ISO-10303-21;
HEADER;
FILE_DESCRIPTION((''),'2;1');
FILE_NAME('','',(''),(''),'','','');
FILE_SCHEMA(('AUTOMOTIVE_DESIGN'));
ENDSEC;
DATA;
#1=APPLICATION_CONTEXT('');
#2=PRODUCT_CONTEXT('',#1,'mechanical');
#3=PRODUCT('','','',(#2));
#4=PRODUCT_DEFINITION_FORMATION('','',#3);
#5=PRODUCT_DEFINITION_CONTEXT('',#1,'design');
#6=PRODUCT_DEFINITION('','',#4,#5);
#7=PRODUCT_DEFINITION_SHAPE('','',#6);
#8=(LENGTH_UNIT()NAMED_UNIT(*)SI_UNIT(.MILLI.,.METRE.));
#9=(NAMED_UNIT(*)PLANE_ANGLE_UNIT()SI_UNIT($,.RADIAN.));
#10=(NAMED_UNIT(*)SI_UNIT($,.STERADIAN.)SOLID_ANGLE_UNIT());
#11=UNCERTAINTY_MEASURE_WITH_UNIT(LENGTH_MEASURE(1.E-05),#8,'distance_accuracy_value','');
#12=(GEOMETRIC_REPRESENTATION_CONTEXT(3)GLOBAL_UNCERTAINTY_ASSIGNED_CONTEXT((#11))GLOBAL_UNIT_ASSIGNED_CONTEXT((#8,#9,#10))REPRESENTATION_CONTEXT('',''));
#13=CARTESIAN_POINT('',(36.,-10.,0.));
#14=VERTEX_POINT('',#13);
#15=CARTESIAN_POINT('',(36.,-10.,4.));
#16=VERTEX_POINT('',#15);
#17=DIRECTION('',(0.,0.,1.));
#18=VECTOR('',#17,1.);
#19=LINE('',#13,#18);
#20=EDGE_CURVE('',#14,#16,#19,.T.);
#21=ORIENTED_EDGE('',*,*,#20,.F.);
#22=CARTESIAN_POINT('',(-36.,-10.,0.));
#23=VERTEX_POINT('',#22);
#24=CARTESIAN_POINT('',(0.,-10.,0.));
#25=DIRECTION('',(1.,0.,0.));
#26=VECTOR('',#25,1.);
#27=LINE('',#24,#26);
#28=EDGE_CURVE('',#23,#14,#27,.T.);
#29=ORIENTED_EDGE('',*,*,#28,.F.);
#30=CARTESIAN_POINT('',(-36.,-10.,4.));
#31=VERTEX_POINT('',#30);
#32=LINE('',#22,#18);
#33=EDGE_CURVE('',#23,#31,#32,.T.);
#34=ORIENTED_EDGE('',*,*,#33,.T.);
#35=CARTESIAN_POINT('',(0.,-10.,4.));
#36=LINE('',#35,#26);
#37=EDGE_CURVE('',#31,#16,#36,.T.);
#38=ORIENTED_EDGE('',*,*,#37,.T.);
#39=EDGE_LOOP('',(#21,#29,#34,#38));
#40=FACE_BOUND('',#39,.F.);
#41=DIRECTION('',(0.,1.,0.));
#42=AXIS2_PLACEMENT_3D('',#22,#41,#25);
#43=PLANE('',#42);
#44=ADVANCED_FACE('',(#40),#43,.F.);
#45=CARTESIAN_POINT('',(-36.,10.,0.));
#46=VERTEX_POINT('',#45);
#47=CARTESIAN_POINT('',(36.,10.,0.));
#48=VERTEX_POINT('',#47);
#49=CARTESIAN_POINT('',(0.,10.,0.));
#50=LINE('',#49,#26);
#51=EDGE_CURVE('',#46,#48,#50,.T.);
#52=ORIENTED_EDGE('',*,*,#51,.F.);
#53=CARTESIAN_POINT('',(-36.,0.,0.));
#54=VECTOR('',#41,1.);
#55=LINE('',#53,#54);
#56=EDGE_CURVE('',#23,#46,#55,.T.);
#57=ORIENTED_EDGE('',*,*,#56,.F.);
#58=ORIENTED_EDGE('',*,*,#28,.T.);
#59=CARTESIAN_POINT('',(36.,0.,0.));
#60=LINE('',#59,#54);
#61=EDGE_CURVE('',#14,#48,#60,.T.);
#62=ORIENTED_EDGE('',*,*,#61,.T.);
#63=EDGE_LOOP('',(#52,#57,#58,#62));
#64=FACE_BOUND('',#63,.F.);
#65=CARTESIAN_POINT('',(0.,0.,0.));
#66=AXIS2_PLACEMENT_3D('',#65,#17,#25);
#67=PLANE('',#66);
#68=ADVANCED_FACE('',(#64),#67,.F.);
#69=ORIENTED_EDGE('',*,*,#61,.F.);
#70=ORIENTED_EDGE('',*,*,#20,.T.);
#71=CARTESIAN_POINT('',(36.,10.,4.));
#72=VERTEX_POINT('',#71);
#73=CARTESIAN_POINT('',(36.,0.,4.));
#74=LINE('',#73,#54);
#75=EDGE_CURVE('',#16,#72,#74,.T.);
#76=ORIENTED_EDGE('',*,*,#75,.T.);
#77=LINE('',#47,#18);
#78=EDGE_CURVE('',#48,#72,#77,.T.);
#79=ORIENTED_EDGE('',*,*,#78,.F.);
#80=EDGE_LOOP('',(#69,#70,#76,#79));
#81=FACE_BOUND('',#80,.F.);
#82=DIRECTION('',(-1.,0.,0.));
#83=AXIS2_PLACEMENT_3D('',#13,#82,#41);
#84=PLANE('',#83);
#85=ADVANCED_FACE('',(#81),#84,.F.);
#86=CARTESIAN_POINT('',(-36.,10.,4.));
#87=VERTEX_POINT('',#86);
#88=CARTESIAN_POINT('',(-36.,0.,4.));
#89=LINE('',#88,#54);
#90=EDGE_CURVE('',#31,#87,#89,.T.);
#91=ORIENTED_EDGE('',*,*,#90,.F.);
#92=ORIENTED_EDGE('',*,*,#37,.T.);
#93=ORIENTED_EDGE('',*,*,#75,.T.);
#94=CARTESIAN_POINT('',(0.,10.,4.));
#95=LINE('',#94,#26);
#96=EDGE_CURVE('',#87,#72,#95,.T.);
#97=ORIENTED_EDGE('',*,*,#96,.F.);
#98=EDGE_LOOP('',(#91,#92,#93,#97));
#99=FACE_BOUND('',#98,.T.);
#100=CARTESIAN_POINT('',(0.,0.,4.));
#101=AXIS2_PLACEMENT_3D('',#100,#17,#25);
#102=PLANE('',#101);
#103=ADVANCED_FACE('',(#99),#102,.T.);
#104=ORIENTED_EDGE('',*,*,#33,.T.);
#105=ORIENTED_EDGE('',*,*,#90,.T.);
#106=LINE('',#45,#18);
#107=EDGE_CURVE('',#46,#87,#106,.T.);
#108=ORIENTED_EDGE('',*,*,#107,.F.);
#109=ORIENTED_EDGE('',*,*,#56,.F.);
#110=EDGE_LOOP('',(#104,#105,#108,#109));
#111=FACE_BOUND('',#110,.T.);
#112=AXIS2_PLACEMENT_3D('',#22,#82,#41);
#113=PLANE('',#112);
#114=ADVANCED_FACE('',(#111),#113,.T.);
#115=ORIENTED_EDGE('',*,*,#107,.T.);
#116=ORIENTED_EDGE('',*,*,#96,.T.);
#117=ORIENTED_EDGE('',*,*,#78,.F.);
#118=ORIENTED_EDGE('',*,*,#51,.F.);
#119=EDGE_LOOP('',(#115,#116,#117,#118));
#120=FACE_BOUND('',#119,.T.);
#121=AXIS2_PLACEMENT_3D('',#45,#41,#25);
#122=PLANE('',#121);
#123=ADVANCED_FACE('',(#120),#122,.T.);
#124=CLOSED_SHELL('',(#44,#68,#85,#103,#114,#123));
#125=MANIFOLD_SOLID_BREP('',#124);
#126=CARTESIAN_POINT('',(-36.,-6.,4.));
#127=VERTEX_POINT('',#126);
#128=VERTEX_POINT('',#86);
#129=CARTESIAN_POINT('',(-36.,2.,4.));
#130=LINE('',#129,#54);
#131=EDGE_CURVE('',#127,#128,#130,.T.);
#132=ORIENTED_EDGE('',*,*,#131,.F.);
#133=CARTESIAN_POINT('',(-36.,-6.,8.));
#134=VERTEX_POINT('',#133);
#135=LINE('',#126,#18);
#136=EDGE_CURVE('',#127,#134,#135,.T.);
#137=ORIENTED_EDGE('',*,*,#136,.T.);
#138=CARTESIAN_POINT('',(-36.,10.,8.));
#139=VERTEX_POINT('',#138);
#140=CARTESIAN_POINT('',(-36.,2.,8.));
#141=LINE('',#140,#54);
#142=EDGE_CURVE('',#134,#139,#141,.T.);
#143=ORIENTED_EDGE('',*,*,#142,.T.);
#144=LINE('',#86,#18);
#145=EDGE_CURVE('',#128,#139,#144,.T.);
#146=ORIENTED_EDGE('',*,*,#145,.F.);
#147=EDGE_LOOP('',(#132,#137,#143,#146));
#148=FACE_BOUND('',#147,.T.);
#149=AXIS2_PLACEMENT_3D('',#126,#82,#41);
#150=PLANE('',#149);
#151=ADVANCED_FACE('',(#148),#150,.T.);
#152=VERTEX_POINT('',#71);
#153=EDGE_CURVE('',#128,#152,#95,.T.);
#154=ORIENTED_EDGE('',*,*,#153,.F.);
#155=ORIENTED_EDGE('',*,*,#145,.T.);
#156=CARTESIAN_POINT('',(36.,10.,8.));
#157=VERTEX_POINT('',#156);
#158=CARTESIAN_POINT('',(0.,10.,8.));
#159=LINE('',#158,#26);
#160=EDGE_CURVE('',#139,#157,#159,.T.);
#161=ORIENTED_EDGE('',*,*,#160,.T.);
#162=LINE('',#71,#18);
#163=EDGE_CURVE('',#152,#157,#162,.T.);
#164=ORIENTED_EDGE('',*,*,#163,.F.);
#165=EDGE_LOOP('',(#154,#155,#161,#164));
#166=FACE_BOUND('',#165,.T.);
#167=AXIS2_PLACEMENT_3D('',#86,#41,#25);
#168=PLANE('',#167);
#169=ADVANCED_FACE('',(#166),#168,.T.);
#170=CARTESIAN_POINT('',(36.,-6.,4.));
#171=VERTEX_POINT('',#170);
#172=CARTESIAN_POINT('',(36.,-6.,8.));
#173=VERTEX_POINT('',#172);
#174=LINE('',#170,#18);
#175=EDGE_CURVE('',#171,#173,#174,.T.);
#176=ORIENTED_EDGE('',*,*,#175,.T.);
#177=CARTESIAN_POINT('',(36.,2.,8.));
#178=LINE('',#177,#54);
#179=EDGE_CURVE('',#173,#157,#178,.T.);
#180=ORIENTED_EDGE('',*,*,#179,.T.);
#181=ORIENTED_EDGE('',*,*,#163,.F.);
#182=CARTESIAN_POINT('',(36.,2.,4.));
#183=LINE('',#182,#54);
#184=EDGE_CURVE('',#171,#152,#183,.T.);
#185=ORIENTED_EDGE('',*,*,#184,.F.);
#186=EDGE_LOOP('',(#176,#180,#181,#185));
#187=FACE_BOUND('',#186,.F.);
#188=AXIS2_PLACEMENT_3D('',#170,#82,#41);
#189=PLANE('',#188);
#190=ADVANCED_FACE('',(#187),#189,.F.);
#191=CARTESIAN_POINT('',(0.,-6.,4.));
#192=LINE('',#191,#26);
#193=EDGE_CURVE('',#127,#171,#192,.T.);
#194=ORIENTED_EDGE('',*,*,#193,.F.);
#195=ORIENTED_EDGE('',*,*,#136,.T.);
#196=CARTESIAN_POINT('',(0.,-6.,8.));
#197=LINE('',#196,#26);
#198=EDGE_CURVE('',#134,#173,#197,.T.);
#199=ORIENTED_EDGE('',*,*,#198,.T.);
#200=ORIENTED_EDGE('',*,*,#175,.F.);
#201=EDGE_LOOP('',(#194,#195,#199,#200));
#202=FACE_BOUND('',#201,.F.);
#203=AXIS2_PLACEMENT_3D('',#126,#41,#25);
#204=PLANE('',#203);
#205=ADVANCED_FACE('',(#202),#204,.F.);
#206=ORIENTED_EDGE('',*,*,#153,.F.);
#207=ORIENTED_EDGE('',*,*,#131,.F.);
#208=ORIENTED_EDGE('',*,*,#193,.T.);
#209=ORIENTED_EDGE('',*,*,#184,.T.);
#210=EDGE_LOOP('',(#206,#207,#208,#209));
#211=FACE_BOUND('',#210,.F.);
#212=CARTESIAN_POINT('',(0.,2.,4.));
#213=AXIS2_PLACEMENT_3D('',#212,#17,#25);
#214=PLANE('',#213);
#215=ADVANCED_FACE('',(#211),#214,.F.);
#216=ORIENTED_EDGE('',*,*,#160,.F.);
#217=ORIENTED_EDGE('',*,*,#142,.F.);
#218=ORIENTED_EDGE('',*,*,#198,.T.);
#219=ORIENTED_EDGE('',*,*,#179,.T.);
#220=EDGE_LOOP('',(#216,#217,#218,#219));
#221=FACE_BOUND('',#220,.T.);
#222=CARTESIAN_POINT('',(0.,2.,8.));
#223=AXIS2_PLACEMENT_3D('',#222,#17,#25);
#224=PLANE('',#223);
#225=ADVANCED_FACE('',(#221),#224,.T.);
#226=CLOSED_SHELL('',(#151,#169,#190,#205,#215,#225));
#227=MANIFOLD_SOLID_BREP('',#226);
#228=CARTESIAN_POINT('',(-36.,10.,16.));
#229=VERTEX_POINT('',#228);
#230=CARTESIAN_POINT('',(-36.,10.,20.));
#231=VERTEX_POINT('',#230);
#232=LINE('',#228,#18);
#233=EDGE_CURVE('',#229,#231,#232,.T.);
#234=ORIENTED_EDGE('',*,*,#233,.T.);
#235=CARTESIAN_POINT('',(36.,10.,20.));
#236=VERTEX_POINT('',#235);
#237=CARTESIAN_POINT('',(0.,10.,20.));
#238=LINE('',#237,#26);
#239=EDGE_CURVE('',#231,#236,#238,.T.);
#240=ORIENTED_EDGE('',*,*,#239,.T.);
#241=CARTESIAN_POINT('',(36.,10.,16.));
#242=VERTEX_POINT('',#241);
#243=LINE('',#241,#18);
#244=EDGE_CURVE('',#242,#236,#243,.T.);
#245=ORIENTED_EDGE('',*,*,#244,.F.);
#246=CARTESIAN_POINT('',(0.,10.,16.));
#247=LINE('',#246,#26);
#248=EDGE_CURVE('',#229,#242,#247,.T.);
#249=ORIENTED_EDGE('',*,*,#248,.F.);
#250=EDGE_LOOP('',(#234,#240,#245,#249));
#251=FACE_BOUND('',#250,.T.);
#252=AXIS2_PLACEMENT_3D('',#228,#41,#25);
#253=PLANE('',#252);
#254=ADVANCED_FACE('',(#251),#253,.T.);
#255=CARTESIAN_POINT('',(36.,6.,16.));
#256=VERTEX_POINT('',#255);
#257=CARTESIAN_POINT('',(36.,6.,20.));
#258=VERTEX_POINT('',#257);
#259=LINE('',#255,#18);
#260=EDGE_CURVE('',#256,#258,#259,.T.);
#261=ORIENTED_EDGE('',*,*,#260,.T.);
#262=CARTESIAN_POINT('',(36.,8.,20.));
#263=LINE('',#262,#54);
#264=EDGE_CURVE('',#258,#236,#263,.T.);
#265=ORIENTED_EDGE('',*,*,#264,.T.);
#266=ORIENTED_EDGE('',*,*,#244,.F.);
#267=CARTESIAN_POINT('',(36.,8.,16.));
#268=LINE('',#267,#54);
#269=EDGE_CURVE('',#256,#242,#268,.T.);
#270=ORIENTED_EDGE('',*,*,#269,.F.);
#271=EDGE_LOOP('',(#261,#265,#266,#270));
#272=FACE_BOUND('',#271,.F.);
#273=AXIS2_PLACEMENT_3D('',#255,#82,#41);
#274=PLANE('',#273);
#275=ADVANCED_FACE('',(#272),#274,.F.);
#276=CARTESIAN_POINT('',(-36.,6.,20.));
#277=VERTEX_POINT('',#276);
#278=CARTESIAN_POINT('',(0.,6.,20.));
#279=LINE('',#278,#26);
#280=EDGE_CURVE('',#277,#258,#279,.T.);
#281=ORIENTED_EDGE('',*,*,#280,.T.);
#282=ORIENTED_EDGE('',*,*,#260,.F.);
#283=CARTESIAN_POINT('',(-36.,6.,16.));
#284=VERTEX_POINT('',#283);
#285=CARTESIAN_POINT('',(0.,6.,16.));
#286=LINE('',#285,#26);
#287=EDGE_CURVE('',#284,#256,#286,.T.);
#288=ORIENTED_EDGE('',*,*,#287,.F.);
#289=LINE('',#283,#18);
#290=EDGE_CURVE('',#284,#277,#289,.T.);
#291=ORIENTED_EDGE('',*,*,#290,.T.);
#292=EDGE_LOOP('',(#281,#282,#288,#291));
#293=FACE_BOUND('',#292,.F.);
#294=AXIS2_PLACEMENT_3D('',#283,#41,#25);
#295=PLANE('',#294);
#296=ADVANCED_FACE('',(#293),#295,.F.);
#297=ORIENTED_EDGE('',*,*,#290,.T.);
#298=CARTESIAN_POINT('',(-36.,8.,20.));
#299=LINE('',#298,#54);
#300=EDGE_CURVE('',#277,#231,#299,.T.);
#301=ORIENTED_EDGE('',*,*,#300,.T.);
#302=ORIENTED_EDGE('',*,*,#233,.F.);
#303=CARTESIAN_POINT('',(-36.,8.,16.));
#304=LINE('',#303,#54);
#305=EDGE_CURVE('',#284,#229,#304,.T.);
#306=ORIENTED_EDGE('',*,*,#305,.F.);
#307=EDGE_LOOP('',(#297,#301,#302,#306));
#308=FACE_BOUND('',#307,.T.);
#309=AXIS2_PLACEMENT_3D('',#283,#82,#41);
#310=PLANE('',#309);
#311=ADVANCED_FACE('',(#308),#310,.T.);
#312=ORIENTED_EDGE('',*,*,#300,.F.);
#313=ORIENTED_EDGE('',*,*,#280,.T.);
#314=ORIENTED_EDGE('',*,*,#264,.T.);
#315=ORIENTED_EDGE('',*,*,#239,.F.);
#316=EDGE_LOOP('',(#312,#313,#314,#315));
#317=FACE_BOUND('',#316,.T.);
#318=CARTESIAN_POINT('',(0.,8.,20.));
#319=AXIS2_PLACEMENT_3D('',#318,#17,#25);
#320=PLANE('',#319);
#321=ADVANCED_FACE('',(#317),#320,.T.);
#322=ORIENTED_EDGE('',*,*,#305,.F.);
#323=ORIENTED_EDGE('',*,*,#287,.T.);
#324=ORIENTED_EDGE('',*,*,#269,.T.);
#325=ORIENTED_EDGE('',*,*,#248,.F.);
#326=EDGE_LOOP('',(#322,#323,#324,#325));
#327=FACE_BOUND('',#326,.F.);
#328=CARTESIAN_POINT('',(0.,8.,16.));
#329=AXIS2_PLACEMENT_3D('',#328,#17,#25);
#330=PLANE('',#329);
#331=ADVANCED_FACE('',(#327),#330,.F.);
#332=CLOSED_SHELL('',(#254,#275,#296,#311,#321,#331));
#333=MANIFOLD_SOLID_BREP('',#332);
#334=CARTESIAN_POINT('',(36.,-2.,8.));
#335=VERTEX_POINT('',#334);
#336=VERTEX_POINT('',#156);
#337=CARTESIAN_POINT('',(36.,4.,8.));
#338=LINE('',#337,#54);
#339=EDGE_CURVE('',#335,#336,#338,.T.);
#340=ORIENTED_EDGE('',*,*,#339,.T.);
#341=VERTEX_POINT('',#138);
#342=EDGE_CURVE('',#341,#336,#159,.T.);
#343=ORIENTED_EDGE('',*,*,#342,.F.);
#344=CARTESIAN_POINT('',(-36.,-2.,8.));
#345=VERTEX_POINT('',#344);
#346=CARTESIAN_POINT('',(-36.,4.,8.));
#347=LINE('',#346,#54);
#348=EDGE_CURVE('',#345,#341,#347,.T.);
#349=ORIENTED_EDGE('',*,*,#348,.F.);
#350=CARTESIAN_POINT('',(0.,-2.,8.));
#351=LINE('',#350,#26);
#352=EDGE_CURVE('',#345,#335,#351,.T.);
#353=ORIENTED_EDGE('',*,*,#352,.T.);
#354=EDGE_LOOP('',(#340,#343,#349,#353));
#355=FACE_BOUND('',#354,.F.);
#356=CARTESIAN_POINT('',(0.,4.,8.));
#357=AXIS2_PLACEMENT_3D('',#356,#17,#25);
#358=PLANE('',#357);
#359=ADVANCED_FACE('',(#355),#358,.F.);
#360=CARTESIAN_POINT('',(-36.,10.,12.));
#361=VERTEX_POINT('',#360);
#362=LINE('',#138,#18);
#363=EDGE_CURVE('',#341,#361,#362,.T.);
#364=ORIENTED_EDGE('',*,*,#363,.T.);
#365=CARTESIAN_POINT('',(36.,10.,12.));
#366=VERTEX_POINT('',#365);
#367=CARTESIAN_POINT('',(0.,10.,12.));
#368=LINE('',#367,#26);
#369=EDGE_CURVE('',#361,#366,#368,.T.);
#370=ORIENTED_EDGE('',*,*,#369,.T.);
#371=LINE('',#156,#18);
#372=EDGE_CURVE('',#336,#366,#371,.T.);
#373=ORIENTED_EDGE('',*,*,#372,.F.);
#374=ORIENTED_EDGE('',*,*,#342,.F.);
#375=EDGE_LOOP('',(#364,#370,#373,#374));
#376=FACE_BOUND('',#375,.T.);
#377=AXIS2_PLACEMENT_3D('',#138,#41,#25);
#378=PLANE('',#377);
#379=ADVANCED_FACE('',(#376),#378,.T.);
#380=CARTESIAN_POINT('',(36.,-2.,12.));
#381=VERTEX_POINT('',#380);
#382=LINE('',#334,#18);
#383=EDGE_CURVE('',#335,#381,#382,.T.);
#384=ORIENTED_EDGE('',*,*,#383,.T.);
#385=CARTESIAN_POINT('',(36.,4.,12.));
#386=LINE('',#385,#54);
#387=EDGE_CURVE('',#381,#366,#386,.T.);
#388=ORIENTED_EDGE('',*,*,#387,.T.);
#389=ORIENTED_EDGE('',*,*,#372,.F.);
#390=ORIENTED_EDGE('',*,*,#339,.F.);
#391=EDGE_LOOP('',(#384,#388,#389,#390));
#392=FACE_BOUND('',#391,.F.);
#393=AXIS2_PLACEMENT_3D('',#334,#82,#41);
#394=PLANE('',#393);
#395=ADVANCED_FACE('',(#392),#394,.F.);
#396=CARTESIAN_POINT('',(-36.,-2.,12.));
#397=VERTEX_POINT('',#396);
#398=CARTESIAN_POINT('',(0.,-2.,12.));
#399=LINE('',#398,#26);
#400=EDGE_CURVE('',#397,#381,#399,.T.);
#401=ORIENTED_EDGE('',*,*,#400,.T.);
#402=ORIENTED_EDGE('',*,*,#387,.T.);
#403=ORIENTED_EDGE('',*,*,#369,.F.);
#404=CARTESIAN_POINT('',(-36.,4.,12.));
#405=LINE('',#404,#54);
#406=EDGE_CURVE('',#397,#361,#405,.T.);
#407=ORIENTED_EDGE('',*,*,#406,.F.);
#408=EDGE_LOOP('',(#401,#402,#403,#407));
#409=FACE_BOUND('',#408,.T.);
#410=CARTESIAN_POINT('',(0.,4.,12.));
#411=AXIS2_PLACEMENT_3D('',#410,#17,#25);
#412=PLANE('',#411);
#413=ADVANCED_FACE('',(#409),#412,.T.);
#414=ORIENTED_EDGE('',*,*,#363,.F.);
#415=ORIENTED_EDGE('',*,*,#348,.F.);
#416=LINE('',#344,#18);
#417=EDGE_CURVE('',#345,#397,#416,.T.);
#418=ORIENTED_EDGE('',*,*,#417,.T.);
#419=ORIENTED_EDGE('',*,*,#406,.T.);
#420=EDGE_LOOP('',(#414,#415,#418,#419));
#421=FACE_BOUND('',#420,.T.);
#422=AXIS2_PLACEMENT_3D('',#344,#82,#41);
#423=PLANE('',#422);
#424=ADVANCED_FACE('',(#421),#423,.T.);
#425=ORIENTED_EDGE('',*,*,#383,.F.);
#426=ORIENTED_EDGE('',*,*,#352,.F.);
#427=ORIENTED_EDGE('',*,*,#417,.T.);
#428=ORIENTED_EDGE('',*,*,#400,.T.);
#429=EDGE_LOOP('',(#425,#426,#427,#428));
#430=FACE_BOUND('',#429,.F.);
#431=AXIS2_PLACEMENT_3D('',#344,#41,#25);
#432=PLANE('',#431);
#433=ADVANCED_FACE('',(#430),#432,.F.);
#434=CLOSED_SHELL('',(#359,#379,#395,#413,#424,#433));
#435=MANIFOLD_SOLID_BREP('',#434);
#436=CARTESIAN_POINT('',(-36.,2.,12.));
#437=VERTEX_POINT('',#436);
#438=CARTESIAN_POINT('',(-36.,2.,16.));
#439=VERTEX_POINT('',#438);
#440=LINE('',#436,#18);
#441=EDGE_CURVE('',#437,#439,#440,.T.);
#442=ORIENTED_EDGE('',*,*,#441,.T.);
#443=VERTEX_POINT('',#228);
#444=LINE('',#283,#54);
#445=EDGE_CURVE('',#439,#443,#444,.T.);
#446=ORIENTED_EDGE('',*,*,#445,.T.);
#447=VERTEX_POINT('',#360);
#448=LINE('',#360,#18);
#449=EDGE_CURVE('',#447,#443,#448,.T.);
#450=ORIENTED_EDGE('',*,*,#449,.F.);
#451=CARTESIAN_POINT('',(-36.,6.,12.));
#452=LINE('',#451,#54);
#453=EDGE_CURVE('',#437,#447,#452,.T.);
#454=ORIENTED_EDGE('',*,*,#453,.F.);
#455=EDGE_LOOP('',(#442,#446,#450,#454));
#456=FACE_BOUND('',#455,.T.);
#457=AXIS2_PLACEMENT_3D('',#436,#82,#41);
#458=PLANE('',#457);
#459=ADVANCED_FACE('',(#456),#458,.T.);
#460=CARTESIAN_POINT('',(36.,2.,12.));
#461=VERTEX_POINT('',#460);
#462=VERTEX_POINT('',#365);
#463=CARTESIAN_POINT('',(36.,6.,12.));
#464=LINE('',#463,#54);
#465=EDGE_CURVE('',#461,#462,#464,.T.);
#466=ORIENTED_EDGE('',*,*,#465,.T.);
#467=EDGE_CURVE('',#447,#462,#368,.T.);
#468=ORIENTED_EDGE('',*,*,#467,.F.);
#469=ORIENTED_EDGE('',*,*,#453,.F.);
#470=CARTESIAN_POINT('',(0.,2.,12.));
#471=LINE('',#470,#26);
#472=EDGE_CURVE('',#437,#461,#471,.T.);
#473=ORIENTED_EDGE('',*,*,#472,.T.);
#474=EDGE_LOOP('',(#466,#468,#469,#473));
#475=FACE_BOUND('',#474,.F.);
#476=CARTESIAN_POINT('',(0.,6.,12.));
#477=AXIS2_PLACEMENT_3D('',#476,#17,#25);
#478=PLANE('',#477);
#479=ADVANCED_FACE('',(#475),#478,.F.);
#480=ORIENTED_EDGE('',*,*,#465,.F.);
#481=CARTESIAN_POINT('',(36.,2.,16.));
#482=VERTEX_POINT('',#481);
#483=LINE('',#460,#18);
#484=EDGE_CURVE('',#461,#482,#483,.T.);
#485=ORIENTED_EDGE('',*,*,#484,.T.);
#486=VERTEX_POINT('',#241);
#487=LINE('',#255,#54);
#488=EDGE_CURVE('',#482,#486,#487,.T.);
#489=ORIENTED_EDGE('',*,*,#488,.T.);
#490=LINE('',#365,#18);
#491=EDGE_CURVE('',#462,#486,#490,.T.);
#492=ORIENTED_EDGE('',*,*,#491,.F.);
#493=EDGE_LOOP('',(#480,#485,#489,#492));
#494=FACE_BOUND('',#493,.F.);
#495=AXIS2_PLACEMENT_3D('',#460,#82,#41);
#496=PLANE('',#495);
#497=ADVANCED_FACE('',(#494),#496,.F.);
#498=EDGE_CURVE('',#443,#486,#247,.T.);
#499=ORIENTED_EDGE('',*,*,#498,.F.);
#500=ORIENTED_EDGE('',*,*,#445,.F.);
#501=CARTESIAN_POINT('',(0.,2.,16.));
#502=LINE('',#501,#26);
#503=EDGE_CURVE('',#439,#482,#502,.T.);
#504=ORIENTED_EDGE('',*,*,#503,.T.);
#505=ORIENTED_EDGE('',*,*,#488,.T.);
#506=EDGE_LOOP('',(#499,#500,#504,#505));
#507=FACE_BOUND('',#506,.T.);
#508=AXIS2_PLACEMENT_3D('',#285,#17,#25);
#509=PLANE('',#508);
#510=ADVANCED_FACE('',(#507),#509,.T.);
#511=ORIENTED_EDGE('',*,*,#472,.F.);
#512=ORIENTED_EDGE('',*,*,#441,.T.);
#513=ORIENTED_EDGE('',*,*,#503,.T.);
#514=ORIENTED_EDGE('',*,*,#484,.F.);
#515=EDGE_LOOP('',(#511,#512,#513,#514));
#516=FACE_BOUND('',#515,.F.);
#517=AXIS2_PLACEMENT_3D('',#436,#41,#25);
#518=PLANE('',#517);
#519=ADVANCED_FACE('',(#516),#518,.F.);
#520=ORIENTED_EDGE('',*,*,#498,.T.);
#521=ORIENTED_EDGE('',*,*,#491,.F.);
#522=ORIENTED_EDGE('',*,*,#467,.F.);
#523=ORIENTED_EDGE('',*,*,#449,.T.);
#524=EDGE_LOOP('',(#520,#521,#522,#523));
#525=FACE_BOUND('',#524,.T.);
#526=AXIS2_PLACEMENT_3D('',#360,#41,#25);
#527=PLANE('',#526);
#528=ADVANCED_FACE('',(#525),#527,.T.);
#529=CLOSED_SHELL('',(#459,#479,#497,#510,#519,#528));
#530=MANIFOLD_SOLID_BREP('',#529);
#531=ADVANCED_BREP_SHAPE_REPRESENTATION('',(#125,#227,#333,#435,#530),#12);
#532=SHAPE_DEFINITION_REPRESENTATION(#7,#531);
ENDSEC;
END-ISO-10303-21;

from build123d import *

# Parameters (mm, degrees)
F0_W     = 72
F0_H     = 20
F1_DEPTH = 4
F2_W     = 72
F2_H     = 16
F3_DEPTH = 4
F4_W     = 72
F4_H     = 12
F5_DEPTH = 4
F6_W     = 72
F6_H     = 8
F7_DEPTH = 4
F8_W     = 72
F8_H     = 4
F9_DEPTH = 4


with BuildPart() as f1:
    # F0 (on Top) → F1 (new body)
    with BuildSketch(Plane.XY):
        Rectangle(F0_W, F0_H)
    extrude(amount=F1_DEPTH)


with BuildPart() as f3:
    # F2 (on face) → F3 (new body)
    with BuildSketch(Plane.XY.offset(4)):
        with Locations((0, 2)):
            Rectangle(F2_W, F2_H)
    extrude(amount=F3_DEPTH)


with BuildPart() as f5:
    # F4 (on face) → F5 (new body)
    with BuildSketch(Plane.XY.offset(8)):
        with Locations((0, 4)):
            Rectangle(F4_W, F4_H)
    extrude(amount=F5_DEPTH)


with BuildPart() as f7:
    # F6 (on face) → F7 (new body)
    with BuildSketch(Plane.XY.offset(12)):
        with Locations((0, 6)):
            Rectangle(F6_W, F6_H)
    extrude(amount=F7_DEPTH)


with BuildPart() as f9:
    # F8 (on face) → F9 (new body)
    with BuildSketch(Plane.XY.offset(16)):
        with Locations((0, 8)):
            Rectangle(F8_W, F8_H)
    extrude(amount=F9_DEPTH)


solid = Compound([f1.part, f3.part, f5.part, f7.part, f9.part])
